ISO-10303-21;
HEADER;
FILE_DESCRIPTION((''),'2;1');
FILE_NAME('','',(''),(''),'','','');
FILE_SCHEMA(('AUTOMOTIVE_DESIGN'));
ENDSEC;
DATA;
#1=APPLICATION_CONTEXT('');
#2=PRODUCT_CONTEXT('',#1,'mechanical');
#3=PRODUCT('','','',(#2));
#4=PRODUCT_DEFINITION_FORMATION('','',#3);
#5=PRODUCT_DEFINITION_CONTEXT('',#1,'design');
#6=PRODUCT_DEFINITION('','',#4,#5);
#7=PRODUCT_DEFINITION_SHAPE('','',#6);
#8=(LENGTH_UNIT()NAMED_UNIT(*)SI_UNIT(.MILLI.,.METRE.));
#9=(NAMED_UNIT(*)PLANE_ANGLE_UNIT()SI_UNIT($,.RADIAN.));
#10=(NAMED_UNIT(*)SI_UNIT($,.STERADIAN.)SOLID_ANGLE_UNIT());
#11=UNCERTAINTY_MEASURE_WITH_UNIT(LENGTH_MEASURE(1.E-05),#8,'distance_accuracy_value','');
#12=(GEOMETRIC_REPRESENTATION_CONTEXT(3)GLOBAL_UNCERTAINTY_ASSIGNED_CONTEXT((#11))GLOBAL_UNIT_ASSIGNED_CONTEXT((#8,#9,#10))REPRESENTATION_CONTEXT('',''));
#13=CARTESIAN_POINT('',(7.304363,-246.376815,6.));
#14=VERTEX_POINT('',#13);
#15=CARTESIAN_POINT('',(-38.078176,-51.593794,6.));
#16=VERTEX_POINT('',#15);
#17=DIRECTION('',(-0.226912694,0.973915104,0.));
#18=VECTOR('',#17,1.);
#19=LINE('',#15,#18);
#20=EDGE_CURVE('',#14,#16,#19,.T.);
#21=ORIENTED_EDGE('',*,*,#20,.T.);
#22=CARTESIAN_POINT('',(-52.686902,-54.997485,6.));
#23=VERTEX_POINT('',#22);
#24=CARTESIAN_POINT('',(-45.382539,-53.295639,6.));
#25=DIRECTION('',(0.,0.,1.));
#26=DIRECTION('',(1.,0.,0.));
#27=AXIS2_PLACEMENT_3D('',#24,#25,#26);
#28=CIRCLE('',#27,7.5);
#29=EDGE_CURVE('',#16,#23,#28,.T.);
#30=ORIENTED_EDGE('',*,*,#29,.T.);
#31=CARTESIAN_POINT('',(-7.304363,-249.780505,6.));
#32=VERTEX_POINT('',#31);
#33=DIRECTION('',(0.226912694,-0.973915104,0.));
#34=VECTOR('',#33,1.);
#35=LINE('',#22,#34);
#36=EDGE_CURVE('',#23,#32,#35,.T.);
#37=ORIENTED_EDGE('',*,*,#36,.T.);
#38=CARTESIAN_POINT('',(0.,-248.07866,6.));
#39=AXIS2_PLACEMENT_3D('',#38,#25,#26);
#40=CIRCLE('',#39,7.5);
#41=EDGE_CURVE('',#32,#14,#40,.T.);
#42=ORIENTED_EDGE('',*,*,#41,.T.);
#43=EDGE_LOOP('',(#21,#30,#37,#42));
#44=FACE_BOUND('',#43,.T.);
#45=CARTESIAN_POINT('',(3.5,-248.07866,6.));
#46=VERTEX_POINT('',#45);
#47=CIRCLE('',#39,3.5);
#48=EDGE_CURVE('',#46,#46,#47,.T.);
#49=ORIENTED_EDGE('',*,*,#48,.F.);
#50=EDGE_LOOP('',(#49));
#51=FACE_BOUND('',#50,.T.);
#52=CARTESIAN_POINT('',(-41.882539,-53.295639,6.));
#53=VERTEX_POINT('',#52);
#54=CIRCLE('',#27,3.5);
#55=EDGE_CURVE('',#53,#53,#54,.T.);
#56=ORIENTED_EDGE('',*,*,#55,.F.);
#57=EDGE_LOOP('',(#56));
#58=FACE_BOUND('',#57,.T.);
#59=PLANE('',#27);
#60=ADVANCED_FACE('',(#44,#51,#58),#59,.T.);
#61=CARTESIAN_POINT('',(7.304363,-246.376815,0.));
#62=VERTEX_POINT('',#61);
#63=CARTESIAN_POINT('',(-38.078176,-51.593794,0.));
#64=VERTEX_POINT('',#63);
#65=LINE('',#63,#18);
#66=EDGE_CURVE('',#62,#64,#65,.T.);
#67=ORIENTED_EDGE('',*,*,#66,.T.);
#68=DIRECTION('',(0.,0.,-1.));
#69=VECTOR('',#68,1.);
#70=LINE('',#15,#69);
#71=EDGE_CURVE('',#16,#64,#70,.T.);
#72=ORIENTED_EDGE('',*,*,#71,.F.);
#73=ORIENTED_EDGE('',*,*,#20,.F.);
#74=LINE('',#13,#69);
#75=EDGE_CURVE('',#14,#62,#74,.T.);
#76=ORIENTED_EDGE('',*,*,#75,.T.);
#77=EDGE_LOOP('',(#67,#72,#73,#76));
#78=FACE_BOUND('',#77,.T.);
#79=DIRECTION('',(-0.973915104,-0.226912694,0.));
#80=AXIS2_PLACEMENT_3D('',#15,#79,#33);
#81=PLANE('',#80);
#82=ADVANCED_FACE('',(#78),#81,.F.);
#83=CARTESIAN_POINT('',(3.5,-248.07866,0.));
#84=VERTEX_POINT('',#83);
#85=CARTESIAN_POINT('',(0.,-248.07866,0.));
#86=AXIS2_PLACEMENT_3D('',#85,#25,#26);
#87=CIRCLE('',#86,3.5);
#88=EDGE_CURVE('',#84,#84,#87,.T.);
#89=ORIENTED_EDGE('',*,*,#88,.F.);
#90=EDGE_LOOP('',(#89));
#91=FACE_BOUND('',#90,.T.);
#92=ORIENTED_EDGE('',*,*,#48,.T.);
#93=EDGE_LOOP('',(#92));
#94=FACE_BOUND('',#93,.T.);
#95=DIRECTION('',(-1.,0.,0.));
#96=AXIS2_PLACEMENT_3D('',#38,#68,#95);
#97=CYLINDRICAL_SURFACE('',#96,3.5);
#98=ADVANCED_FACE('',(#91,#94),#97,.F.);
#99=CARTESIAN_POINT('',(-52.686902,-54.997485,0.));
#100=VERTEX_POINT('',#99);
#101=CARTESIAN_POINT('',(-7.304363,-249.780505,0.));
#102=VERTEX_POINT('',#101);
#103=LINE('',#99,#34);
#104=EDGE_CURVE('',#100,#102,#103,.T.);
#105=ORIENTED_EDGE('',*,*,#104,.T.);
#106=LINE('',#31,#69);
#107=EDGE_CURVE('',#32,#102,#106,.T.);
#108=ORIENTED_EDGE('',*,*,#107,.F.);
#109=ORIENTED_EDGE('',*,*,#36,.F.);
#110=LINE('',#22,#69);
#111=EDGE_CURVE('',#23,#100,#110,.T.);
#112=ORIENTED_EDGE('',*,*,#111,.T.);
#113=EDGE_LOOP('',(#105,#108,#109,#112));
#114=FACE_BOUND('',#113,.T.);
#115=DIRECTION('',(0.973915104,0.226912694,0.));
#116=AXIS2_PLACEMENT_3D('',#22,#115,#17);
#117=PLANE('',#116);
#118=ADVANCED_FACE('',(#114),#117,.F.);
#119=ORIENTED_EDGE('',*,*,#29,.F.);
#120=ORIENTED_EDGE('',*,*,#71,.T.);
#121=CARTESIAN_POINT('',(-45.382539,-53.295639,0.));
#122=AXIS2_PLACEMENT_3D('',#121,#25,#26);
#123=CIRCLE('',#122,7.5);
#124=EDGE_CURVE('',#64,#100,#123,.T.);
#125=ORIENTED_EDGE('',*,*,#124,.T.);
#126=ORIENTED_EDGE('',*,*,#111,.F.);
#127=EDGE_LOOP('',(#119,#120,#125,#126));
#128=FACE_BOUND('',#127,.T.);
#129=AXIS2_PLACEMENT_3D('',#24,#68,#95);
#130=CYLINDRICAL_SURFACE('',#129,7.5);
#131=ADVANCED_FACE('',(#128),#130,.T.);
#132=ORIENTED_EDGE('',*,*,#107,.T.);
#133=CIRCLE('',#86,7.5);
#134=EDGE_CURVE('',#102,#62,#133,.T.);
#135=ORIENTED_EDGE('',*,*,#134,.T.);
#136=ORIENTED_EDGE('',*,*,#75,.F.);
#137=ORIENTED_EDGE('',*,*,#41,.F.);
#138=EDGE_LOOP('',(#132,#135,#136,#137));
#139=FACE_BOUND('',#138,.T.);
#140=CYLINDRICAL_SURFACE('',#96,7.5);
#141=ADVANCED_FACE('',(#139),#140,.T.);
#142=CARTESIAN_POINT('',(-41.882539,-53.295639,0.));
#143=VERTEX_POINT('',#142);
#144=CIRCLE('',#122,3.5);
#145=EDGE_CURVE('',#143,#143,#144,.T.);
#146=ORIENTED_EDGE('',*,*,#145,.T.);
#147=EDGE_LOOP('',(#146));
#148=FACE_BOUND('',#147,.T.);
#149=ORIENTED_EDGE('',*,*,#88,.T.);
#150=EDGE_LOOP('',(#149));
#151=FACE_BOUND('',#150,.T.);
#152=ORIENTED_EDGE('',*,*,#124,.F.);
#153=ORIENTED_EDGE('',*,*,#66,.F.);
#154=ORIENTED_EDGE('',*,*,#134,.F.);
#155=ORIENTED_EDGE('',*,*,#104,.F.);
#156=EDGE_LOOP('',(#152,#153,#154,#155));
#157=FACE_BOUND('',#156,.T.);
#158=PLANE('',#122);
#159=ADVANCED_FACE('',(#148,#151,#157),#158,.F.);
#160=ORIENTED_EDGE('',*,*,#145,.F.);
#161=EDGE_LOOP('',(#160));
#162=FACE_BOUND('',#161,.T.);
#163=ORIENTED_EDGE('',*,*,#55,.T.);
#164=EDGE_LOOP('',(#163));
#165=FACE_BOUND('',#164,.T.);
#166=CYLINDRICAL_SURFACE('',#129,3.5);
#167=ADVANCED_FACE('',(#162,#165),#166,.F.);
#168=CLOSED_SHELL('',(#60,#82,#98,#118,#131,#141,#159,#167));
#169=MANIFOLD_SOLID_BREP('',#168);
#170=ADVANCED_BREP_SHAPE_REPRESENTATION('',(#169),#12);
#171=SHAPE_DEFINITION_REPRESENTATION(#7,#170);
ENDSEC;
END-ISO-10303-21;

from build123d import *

# Parameters (mm, degrees)
SKETCH1_R           = 3.5
BOSS_EXTRUDE1_DEPTH = 6


with BuildPart() as part:
    # Sketch1 → Boss-Extrude1 (new body)
    with BuildSketch(Plane.XY):
        with BuildLine():
            Line((-38.078175548, -51.593794107), (7.304363278, -246.37681485))
            ThreePointArc((7.304363278, -246.37681485), (1.701845206, -255.383023334), (-7.304363278, -249.780505262))
            Line((-7.304363278, -249.780505262), (-52.686902103, -54.997484519))
            ThreePointArc((-52.686902103, -54.997484519), (-47.084384031, -45.991276035), (-38.078175548, -51.593794107))
        make_face()
        with Locations((-45.382538826, -53.295639313)):
            Circle(SKETCH1_R, mode=Mode.SUBTRACT)
        with Locations((0, -248.078660056)):
            Circle(SKETCH1_R, mode=Mode.SUBTRACT)
    extrude(amount=BOSS_EXTRUDE1_DEPTH)


solid = part.part
